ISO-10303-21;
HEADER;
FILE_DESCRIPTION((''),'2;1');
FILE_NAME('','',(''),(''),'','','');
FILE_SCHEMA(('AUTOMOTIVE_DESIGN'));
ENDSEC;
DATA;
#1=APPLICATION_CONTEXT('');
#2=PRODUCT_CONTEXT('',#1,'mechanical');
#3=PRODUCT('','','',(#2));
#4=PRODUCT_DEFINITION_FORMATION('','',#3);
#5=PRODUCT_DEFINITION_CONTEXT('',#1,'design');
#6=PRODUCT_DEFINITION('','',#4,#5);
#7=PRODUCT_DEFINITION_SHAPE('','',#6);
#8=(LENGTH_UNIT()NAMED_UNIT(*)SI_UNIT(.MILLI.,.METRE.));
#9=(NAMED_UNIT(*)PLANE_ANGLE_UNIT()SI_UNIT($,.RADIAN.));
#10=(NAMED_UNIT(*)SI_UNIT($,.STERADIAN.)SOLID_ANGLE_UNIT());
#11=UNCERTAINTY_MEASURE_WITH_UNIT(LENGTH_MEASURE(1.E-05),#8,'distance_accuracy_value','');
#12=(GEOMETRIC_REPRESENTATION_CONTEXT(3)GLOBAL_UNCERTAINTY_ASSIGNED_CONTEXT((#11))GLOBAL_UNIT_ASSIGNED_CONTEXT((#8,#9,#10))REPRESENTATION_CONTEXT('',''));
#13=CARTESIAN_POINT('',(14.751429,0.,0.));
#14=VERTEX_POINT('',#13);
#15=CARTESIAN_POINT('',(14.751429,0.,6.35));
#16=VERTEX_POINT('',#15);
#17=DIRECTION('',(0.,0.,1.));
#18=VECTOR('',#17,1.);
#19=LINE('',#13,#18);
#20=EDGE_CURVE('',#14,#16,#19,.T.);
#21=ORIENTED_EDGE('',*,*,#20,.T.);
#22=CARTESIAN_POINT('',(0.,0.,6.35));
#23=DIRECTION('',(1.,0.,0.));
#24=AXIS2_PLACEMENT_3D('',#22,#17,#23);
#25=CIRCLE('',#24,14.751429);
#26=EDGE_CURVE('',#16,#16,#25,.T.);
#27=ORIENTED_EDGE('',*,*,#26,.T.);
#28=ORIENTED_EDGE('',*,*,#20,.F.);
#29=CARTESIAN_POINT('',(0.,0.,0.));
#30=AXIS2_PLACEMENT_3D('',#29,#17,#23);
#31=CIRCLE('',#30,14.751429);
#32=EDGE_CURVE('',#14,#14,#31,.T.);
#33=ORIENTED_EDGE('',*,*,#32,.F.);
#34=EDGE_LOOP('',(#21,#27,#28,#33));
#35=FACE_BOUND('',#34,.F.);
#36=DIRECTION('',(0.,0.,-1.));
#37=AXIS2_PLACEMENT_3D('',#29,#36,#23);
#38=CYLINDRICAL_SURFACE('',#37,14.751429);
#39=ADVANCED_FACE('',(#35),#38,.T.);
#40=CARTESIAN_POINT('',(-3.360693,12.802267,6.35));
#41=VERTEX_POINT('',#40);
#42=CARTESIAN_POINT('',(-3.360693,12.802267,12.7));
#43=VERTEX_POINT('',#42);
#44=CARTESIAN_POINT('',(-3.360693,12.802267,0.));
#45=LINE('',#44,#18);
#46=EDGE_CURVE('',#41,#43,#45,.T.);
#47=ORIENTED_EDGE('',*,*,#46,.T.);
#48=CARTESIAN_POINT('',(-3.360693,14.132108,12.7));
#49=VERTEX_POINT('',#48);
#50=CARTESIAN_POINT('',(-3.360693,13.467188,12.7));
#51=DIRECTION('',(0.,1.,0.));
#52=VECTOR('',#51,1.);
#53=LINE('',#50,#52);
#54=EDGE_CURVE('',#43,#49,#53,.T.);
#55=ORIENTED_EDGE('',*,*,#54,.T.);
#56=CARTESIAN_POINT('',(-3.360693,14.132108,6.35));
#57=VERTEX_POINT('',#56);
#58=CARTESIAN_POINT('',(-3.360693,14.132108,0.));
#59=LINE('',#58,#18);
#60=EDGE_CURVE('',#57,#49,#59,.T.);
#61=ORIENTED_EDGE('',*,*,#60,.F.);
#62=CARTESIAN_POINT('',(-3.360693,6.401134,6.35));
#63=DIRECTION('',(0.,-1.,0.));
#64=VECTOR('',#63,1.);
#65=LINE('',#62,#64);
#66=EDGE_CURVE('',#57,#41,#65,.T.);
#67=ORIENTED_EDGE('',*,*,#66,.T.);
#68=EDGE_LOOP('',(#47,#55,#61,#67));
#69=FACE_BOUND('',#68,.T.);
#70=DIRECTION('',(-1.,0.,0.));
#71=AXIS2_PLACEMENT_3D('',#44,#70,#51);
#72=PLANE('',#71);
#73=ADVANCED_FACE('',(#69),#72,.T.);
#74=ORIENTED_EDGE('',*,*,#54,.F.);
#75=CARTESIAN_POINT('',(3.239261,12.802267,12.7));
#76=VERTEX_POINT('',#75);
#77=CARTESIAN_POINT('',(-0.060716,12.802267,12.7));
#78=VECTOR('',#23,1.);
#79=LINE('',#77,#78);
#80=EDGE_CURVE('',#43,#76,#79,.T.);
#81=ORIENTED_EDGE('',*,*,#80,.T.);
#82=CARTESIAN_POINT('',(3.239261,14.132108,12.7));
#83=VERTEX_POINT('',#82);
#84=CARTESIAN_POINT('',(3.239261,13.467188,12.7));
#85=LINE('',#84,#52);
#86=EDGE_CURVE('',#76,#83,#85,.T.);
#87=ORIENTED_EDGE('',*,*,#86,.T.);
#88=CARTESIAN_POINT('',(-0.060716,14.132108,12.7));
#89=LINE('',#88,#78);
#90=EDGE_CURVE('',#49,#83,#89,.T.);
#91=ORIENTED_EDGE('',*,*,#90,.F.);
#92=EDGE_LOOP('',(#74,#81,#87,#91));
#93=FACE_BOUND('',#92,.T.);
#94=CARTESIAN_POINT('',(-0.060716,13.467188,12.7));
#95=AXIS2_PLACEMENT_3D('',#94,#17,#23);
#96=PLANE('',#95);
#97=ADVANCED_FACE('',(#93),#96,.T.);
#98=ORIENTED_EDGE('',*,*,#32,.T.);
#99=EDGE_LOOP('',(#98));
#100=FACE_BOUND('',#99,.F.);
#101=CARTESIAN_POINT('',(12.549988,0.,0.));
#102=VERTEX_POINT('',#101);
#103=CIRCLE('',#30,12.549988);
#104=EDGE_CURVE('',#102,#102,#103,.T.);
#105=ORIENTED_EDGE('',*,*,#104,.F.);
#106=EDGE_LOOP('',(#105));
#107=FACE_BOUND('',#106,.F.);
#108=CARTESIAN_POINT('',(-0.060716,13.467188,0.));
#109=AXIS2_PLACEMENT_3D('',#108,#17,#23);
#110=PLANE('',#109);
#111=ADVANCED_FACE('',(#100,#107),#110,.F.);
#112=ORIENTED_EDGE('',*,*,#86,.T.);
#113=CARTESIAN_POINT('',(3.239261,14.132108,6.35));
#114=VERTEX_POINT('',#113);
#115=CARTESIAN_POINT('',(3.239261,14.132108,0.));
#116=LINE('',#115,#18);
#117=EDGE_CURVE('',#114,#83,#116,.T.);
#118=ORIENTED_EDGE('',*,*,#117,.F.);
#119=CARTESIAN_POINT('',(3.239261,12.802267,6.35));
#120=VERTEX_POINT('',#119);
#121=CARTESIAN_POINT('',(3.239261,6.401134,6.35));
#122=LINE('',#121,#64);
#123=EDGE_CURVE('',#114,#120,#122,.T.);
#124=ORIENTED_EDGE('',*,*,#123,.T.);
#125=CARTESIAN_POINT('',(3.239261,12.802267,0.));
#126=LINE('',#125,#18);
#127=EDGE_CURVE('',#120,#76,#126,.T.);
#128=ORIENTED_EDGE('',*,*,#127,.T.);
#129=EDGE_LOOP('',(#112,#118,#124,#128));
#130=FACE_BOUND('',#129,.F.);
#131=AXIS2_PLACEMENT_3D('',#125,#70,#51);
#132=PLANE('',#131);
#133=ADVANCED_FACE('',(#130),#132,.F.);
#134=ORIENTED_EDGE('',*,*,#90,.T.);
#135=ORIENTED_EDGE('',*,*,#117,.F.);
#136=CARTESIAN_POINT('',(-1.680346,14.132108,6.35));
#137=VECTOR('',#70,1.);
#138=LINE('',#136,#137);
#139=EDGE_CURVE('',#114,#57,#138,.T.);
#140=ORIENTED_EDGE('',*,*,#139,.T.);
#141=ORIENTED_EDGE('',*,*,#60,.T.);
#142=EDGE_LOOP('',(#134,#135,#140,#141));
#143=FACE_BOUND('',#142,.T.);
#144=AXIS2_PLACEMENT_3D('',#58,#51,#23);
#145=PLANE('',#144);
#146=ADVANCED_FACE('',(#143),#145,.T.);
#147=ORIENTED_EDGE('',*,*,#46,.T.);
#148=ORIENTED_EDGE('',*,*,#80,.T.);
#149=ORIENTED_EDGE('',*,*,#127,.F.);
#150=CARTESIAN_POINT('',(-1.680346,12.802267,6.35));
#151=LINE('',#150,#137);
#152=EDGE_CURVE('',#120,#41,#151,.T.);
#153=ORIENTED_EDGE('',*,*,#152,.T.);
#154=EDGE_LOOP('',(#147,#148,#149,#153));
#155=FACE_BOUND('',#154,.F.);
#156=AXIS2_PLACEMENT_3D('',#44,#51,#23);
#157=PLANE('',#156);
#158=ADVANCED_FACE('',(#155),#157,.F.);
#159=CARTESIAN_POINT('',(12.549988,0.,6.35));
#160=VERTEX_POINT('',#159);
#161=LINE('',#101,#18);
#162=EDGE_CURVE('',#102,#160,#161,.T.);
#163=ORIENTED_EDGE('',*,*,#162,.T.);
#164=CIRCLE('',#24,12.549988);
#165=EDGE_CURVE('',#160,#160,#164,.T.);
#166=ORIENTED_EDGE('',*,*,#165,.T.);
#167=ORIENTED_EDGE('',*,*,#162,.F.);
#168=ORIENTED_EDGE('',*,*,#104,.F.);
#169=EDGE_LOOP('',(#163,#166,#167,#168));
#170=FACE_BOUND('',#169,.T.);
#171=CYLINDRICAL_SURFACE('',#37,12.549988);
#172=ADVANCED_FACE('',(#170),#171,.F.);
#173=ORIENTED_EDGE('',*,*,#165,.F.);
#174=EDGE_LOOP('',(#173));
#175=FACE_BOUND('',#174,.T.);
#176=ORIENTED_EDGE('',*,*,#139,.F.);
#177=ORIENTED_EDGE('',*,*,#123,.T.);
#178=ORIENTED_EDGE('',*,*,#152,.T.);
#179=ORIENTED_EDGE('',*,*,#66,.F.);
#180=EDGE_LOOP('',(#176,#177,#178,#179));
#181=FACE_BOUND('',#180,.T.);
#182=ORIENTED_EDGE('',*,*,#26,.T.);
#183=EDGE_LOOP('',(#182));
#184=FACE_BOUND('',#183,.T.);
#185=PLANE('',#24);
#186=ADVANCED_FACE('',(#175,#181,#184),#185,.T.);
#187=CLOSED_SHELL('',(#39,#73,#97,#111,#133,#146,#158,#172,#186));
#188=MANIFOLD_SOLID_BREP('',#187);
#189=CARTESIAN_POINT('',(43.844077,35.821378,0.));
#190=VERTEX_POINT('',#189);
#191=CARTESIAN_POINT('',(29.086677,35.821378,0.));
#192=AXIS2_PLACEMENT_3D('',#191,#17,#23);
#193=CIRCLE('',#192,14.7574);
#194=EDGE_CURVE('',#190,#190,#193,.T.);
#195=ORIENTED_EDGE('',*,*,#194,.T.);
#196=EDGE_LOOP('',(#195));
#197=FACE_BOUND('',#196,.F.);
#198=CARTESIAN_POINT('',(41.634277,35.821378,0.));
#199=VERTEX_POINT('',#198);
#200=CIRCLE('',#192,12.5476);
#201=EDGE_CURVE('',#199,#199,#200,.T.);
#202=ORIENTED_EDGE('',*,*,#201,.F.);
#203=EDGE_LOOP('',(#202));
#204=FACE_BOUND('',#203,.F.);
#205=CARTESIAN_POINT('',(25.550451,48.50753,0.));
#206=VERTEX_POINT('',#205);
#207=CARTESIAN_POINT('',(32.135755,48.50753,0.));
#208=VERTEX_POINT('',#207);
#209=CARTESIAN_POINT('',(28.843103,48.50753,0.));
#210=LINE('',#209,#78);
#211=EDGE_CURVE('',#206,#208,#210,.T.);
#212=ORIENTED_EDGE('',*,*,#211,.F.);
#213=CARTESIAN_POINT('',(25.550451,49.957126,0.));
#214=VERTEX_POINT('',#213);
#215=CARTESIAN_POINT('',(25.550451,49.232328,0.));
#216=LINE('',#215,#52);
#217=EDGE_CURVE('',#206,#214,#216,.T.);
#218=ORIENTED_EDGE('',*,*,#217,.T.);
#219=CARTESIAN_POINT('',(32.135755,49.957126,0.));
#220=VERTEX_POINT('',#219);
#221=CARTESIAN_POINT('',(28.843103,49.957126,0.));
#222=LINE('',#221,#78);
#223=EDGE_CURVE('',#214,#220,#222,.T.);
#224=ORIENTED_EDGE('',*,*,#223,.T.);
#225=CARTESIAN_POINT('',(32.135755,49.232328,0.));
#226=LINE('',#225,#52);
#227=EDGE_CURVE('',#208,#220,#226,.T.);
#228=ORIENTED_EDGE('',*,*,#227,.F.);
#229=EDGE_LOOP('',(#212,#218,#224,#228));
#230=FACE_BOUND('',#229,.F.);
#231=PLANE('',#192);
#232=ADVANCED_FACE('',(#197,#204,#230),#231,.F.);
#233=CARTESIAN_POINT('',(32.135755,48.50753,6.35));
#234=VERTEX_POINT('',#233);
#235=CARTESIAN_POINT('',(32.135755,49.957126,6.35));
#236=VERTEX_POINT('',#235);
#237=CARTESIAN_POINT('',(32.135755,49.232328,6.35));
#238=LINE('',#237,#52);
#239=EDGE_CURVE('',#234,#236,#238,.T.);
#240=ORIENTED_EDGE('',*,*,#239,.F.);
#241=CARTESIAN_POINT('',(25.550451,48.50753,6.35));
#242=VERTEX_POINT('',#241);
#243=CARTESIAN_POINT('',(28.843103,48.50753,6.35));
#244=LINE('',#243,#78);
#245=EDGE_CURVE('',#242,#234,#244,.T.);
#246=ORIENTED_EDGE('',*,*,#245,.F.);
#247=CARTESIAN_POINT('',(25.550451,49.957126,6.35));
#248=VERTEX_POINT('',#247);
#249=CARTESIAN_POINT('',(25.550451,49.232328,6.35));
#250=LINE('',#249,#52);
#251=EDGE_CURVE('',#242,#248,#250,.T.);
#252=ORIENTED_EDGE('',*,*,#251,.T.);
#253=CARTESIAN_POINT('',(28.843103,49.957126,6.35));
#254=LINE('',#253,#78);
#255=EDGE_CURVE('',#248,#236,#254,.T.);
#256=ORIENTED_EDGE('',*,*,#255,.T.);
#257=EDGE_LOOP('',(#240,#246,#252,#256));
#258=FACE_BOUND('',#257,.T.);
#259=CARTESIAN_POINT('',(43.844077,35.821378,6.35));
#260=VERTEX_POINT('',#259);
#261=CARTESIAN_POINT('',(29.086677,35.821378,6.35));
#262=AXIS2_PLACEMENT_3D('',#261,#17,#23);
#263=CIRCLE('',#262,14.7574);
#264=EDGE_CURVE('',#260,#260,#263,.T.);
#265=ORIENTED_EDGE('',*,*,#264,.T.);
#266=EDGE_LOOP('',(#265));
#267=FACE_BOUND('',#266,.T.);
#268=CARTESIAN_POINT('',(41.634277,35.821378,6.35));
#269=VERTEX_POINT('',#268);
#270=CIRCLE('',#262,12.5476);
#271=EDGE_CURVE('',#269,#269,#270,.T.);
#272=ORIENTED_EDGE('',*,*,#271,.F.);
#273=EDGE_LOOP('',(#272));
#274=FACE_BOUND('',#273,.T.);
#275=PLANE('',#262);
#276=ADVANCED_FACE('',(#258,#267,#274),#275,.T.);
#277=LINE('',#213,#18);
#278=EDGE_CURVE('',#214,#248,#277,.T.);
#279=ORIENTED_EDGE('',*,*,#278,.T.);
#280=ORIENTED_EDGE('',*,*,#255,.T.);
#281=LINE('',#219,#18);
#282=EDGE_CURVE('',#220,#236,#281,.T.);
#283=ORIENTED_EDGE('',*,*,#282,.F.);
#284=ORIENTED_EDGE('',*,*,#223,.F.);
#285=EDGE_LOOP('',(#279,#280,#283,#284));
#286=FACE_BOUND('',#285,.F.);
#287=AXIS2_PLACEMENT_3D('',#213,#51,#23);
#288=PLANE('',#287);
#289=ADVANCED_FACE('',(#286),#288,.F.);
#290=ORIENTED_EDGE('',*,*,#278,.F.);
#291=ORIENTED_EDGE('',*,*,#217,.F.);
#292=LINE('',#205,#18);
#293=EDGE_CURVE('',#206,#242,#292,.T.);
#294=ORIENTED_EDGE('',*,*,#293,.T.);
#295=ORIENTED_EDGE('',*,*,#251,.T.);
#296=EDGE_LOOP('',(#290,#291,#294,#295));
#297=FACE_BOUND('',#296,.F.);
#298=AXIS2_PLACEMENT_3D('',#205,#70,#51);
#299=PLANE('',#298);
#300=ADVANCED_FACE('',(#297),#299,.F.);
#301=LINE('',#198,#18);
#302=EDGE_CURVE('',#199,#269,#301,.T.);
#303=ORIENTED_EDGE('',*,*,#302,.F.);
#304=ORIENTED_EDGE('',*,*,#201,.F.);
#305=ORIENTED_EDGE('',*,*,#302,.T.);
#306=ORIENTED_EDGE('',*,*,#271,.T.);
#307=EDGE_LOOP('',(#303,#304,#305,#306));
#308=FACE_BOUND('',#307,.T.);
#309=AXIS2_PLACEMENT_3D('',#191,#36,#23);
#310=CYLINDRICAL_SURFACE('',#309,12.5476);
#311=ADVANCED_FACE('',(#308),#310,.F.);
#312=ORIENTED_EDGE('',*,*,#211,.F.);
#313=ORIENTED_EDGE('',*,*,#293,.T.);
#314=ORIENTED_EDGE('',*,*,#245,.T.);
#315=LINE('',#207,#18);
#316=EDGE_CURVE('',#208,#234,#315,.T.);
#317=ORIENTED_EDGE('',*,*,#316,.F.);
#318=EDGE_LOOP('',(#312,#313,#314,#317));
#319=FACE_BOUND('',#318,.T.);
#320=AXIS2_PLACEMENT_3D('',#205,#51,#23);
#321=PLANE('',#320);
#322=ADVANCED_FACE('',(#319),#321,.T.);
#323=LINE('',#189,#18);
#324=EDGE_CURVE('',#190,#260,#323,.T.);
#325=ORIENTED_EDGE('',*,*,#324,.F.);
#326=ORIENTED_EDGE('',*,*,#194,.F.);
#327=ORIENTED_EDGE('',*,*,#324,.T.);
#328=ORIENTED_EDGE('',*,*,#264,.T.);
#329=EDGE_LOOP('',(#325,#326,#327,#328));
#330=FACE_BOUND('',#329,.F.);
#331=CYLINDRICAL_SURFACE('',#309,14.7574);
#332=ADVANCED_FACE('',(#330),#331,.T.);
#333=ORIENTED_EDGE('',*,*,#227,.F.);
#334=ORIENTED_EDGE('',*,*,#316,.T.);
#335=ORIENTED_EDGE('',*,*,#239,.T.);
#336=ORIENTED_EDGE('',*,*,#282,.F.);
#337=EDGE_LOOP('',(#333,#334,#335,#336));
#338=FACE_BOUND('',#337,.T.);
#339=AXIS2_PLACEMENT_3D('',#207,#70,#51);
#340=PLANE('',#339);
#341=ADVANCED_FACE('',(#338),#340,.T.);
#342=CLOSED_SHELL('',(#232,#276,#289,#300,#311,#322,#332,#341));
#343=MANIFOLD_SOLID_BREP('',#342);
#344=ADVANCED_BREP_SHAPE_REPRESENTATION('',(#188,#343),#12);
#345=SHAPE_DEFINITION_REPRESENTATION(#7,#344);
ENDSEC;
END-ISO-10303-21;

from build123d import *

# Parameters (mm, degrees)
F0_R     = 14.751429
F0_R_2   = 12.549988
F0_R_3   = 14.7574
F0_R_4   = 12.5476
F0_W     = 6.585304
F0_H     = 1.449596
F1_DEPTH = 6.35
F2_W     = 6.599954
F2_H     = 1.329841
F3_DEPTH = 12.7


with BuildPart() as f1:
    # F0 (on Top) → F1 (new body)
    with BuildSketch(Plane.XY):
        Circle(F0_R)
        Circle(F0_R_2, mode=Mode.SUBTRACT)
        with Locations((29.086677, 35.821378)):
            Circle(F0_R_3)
        with Locations((29.086677, 35.821378)):
            Circle(F0_R_4, mode=Mode.SUBTRACT)
        with Locations((28.843103, 49.232328)):
            Rectangle(F0_W, F0_H, mode=Mode.SUBTRACT)
    extrude(amount=F1_DEPTH)

    # F2 (on Top) → F3 (join)
    with BuildSketch(Plane.XY):
        with Locations((-0.060716, 13.467188)):
            Rectangle(F2_W, F2_H)
    extrude(amount=F3_DEPTH)


solid = f1.part
